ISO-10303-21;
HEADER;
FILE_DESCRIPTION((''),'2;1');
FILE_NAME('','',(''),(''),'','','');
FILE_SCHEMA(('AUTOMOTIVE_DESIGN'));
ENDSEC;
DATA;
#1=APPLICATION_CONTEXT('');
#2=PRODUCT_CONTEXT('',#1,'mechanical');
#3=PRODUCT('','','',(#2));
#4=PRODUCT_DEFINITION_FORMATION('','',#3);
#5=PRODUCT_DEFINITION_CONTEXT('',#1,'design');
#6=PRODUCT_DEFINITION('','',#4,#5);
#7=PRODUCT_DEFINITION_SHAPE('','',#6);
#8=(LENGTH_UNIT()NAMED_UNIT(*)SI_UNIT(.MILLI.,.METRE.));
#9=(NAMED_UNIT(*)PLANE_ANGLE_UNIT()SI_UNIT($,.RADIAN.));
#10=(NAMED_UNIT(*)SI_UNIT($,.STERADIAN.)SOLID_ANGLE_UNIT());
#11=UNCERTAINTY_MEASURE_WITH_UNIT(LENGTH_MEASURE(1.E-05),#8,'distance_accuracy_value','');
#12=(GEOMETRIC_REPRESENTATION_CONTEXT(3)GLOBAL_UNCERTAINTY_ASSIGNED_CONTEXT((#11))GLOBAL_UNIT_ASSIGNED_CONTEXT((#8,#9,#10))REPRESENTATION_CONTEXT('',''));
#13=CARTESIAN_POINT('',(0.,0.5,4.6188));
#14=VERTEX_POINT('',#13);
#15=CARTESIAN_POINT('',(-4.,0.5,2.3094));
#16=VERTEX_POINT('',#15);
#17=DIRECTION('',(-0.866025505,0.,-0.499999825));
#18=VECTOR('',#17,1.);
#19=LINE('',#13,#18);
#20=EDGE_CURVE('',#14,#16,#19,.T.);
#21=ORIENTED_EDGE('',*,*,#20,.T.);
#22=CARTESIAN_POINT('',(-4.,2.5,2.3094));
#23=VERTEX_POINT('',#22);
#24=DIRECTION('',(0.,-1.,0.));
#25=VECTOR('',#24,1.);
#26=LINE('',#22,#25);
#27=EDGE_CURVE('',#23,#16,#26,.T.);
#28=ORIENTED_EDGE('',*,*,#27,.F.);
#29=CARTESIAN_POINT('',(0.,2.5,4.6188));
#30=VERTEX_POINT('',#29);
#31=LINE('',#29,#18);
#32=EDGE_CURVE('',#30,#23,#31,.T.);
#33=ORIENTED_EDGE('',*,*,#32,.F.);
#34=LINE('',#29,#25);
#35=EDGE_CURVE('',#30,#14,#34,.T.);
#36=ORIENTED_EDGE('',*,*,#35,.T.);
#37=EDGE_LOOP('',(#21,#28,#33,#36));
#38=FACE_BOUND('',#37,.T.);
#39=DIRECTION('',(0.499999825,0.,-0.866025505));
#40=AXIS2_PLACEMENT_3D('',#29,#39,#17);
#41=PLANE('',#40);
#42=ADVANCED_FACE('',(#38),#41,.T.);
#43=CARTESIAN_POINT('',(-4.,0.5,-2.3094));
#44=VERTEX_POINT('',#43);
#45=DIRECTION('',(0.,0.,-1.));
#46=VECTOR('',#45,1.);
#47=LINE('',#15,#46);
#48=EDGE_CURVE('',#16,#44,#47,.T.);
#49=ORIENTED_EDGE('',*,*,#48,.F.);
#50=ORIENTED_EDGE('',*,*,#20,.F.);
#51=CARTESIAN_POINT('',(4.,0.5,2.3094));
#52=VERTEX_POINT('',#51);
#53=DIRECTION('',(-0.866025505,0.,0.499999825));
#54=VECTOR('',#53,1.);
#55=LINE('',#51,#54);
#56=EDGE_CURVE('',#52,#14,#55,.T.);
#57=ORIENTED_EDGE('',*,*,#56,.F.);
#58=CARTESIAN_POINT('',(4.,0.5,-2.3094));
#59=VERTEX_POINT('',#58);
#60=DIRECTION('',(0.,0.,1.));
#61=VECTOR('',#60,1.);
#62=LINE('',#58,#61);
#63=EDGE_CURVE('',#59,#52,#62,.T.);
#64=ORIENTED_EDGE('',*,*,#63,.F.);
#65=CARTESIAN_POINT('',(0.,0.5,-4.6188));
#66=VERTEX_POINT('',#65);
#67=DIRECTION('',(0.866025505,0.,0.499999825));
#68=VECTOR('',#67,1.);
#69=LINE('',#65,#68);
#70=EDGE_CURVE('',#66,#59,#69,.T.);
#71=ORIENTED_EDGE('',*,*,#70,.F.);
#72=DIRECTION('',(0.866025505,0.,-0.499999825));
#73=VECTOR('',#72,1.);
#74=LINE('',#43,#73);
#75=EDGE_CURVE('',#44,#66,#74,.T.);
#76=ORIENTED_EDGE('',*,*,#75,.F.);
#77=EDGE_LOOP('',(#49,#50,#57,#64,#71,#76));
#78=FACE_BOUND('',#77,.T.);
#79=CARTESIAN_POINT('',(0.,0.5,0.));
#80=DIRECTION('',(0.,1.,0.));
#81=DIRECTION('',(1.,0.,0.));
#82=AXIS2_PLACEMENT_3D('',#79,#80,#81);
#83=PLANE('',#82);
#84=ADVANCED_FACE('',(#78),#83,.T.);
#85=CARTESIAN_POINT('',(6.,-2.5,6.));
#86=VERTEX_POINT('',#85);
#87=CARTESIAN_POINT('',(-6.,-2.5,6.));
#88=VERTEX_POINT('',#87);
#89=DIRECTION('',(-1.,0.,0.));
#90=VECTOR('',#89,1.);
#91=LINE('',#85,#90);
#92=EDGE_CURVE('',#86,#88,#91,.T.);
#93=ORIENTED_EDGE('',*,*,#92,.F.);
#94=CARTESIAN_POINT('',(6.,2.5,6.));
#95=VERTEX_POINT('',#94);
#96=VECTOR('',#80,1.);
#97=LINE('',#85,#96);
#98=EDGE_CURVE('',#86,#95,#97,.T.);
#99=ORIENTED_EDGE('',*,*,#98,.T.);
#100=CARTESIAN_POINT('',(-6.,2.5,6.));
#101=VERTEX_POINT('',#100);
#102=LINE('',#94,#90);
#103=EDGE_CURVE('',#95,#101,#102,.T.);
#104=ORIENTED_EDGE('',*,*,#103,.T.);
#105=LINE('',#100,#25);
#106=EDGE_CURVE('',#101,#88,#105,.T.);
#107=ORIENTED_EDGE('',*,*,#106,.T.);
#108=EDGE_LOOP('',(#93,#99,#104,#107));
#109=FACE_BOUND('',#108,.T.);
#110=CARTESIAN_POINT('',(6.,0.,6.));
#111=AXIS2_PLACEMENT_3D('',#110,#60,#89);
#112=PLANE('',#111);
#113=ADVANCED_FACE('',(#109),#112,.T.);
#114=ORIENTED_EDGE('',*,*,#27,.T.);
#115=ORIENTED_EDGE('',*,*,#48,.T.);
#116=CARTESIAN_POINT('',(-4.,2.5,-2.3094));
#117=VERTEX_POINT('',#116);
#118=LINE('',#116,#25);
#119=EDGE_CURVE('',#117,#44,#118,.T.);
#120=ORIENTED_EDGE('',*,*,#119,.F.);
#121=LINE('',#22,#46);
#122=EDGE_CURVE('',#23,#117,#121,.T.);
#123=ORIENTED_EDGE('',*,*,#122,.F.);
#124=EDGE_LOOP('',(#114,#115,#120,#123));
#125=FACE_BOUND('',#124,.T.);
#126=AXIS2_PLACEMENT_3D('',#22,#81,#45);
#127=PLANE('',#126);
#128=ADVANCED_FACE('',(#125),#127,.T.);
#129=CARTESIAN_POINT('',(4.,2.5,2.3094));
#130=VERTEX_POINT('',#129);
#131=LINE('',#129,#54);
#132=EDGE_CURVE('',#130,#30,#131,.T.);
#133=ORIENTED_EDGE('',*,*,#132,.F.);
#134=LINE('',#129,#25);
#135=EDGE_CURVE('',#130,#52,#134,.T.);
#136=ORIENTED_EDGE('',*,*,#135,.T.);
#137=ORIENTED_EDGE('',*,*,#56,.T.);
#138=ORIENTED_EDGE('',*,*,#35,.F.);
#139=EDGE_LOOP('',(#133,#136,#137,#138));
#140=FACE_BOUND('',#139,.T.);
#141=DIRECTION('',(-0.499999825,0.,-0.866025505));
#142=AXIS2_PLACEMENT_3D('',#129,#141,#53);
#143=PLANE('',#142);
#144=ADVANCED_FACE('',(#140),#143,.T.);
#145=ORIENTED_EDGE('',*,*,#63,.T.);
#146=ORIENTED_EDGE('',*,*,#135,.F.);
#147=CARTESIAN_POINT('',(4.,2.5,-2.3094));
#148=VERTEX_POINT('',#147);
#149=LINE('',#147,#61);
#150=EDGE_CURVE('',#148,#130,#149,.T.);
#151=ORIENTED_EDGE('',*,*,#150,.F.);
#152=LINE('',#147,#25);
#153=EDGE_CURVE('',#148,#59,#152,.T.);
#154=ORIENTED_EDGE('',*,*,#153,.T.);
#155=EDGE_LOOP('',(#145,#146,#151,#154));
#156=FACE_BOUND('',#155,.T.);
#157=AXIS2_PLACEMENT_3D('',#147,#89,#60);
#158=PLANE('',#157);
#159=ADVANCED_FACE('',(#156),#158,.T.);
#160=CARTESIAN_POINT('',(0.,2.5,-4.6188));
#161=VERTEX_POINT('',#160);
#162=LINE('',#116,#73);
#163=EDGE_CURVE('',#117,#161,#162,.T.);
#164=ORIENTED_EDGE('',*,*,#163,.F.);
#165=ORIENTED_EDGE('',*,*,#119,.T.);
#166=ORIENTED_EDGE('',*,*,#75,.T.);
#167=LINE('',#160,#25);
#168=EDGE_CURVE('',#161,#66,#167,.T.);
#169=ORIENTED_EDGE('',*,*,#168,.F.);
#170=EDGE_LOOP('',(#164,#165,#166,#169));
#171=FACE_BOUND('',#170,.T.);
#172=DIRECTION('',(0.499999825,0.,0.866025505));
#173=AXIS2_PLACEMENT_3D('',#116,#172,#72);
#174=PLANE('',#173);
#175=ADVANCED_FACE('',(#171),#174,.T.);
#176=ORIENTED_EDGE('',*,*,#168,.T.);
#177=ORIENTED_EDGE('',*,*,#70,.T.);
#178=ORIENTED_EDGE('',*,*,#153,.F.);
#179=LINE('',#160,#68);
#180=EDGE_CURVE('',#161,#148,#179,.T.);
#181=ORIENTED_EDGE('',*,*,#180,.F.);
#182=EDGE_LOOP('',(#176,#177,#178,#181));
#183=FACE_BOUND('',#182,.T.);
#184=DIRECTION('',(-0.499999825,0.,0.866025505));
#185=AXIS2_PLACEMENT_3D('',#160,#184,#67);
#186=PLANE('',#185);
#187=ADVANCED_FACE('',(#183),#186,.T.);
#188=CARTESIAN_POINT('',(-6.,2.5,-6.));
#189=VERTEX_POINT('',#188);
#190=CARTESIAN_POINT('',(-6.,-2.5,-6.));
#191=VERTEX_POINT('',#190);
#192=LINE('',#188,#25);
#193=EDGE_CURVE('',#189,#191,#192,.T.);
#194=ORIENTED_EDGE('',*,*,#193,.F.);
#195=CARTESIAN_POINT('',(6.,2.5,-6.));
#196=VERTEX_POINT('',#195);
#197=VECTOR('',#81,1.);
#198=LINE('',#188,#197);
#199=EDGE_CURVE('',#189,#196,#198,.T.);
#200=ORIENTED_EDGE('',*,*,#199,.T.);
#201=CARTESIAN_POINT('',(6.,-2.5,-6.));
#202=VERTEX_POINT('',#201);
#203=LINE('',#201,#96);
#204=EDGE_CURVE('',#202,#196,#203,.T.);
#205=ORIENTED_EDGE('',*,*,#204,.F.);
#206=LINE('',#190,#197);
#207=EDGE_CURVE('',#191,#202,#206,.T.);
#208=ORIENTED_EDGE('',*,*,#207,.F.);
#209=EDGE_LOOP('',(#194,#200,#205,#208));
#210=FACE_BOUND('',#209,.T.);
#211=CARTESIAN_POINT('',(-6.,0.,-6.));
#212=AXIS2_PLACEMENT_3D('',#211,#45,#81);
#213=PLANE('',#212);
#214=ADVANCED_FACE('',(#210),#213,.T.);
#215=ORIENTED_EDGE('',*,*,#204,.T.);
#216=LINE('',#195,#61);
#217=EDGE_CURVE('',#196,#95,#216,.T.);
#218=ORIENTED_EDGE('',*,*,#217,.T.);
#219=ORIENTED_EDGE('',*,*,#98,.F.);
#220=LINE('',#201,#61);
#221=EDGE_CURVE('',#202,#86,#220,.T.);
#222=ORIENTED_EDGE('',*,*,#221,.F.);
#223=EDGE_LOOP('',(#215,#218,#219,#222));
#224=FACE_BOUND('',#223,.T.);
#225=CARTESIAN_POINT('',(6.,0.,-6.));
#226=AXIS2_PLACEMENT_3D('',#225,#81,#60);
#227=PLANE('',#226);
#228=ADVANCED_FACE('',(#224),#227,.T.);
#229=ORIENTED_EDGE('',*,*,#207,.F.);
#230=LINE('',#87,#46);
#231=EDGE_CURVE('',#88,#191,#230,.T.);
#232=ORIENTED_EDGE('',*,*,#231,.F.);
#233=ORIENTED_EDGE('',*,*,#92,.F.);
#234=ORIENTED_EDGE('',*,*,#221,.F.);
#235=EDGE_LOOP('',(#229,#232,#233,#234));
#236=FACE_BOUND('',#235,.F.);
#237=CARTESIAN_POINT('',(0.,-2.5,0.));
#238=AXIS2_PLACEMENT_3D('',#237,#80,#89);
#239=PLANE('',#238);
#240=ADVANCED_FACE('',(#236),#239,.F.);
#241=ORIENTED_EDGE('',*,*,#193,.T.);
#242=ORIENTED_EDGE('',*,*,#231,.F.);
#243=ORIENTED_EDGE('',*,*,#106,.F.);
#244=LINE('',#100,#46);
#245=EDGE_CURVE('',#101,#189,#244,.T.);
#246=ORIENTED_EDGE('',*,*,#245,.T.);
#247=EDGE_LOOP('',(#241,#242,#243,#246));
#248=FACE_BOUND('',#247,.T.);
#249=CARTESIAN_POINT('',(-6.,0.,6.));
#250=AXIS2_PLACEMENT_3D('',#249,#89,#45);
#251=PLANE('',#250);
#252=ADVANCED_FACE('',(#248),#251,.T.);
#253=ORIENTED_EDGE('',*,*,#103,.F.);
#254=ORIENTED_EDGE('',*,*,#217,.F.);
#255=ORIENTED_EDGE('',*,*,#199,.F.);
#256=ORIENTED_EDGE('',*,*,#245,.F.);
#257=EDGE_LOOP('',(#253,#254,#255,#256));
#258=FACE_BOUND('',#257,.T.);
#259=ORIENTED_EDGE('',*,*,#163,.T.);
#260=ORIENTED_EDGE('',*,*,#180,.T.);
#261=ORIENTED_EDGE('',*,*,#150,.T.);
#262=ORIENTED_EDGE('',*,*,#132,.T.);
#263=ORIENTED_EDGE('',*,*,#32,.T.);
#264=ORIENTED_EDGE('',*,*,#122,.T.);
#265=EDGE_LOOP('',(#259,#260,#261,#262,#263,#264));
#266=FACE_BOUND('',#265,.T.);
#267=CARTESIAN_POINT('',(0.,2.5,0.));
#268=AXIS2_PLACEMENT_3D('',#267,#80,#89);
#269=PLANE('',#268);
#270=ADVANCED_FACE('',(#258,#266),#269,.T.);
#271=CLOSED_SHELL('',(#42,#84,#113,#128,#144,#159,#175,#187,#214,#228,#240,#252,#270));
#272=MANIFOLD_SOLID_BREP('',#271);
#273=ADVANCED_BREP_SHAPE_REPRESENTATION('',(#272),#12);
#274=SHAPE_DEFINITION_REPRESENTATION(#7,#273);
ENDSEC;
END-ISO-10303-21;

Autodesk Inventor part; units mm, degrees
ref_plane "YZ Plane" through (0, 0, 0) normal (1, 0, 0) x (0, 1, 0)
ref_plane "XZ Plane" through (0, 0, 0) normal (0, 1, 0) x (-1, 0, 0)
ref_plane "XY Plane" through (0, 0, 0) normal (0, 0, 1) x (1, 0, 0)
sketch "Sketch1" plane through (0, 0, 0) normal (0, 1, 0) x (-1, 0, 0)
  line L0 (-6, 6) -> (6, 6)
  line L1 (6, 6) -> (6, -6)
  line L2 (6, -6) -> (-6, -6)
  line L3 (-6, -6) -> (-6, 6)
  line L4 (-6, 6) -> (6, -6) construction
  line L5 (6, 6) -> (-6, -6) construction
  point P0 (0, 0)
  dimension "d0" = 12
  dimension "d1" = 12
extrude "Extrusion1" add sketch "Sketch1" along normal mid plane 5
sketch "Sketch2" plane through (0, 2.5, 0) normal (0, 1, 0) x (1, 0, 0)
  line L0 (-4, 2.3094) -> (0, 4.6188)
  line L1 (0, 4.6188) -> (4, 2.3094)
  line L2 (4, 2.3094) -> (4, -2.3094)
  line L3 (4, -2.3094) -> (0, -4.6188)
  line L4 (0, -4.6188) -> (-4, -2.3094)
  line L5 (-4, -2.3094) -> (-4, 2.3094)
  point P0 (0, 0)
  point P1 (0, 0)
  dimension "d8" = 8
extrude "Extrusion2" cut sketch "Sketch2" against normal blind 2
equation "\"d1\" = d0"
properties part number "PressFItTestHole"
